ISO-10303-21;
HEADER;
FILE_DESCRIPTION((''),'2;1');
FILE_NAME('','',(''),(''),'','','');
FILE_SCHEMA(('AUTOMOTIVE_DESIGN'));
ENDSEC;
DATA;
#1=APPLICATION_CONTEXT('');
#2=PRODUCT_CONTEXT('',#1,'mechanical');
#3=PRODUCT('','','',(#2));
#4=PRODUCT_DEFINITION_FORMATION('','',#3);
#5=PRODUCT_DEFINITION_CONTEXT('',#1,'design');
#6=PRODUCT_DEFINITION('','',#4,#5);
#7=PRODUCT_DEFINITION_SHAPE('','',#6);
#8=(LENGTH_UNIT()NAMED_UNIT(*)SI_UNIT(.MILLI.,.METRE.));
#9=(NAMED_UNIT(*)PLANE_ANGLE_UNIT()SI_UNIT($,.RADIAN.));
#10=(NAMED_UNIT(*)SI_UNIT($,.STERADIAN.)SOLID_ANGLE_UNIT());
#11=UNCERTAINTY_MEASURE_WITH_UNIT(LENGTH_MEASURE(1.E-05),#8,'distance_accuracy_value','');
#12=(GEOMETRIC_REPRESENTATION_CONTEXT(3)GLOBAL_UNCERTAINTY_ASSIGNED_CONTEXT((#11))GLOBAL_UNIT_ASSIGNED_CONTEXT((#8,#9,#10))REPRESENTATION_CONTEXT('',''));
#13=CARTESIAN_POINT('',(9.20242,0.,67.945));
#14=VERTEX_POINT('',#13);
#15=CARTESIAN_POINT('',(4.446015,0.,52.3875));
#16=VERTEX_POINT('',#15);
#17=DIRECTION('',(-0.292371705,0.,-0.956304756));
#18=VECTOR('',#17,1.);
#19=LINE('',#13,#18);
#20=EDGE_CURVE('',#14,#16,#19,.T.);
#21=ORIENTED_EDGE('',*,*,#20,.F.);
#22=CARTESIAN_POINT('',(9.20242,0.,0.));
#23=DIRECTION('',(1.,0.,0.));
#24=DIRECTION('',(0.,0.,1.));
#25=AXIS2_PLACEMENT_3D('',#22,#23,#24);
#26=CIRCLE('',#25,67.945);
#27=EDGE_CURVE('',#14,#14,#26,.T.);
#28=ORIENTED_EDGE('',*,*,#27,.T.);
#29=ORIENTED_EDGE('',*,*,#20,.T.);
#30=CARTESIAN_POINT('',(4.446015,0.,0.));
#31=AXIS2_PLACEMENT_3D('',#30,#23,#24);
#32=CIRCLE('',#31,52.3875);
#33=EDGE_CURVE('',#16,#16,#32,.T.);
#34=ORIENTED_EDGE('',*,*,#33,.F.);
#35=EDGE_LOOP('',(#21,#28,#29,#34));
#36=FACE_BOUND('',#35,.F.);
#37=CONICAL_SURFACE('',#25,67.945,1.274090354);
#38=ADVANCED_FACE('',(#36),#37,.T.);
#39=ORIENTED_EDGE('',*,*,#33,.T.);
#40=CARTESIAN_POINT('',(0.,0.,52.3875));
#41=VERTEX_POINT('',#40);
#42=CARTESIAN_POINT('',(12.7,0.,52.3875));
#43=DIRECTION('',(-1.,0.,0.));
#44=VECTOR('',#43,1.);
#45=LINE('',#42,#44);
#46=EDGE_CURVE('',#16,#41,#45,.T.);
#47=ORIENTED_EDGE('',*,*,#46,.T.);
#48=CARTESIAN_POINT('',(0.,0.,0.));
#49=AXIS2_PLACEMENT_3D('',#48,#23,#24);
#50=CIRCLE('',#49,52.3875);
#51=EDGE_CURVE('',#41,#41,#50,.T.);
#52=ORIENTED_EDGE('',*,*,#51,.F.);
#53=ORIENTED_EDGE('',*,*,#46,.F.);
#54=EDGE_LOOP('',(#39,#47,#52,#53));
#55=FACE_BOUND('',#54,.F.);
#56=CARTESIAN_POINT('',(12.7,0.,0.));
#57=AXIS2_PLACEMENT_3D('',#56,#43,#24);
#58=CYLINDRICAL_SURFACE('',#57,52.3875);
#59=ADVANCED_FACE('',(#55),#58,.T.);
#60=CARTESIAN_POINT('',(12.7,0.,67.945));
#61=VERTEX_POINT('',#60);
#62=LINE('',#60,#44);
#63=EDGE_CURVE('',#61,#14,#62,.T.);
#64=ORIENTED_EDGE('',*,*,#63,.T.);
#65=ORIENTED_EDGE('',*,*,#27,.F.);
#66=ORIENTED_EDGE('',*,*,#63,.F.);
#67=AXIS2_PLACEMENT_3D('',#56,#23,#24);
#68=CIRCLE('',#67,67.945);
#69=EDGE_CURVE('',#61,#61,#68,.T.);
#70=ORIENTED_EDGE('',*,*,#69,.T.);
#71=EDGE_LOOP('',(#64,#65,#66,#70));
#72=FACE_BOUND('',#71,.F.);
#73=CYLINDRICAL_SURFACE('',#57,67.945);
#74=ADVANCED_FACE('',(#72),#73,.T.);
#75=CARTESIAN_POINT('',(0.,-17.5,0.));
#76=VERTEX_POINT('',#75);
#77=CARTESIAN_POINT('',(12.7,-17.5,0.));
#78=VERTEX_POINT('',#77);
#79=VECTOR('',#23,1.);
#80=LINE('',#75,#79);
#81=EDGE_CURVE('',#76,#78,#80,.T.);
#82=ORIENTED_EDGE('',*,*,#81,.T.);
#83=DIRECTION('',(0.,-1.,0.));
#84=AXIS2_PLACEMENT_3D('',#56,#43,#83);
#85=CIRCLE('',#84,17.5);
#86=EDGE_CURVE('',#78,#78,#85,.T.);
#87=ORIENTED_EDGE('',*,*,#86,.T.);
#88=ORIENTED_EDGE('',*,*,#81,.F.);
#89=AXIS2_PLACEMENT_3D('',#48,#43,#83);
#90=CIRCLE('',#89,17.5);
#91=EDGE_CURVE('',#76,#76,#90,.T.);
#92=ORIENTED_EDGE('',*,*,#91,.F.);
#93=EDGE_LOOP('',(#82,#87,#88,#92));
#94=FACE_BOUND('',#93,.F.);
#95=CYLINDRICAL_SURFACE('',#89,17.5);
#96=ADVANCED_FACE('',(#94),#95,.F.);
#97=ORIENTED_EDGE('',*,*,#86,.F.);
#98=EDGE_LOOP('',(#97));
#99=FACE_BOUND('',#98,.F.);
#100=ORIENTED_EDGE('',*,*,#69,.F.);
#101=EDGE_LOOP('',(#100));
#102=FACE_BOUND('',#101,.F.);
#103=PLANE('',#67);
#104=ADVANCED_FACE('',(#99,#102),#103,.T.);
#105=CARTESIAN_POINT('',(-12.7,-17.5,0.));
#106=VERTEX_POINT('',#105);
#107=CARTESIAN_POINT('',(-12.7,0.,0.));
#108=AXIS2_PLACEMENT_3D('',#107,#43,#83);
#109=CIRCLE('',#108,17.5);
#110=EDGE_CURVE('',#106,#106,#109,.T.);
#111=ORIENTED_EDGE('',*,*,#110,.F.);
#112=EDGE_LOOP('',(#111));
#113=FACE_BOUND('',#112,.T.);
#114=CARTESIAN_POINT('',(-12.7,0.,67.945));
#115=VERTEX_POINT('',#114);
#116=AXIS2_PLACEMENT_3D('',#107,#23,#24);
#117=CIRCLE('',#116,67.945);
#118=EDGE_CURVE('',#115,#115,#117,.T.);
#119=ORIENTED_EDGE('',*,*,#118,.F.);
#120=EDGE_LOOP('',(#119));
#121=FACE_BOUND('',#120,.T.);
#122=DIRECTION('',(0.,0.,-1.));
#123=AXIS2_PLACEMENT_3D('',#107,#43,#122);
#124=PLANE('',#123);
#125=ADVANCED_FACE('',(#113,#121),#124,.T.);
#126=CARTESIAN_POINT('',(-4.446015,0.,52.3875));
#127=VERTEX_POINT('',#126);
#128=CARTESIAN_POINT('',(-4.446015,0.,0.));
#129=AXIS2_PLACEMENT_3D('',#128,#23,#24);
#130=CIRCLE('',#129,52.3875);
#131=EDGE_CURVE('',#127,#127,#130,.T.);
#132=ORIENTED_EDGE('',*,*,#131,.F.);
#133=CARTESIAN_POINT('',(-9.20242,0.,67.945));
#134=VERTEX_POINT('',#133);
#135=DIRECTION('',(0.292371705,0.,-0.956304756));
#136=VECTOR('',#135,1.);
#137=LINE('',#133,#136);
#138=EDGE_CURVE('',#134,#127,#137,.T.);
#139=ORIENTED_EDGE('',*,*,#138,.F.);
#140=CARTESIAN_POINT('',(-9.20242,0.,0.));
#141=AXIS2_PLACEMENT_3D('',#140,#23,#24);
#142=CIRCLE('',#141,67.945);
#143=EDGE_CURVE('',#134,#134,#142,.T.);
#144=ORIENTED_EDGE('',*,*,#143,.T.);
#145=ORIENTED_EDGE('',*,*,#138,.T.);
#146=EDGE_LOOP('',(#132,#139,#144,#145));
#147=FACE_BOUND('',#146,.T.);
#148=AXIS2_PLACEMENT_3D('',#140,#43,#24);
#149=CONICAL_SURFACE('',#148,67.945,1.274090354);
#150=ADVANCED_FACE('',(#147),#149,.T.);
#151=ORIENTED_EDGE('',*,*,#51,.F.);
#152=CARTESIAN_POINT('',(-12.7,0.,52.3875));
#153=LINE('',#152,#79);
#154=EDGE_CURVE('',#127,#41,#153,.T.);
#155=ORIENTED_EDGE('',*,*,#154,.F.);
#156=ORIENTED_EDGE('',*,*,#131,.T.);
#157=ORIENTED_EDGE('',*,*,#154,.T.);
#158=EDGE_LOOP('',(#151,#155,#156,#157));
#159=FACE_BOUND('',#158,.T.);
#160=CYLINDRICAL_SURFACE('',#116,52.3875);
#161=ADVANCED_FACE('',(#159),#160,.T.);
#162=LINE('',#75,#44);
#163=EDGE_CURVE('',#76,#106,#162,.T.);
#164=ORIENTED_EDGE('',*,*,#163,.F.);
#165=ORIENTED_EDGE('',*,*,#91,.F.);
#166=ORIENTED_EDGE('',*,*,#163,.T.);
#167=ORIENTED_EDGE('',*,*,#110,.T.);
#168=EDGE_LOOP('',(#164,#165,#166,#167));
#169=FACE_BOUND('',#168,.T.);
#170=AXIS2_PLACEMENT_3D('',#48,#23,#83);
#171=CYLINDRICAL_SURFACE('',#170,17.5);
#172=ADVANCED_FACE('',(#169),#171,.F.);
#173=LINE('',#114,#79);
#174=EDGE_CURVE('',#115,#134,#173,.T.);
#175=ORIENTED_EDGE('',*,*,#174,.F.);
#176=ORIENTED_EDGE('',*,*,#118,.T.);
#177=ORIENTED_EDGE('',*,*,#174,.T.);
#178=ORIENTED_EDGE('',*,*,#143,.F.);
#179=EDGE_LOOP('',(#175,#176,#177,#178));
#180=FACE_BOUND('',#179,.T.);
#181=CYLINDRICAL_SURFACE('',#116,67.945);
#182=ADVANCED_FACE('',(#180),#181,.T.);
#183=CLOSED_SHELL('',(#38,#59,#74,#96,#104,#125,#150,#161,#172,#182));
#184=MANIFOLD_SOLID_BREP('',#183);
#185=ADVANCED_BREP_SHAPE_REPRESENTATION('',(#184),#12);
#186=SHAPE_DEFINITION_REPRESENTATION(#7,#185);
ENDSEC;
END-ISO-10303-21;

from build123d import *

# Parameters (mm, degrees)
F2_R     = 17.5
F3_DEPTH = 25


with BuildPart() as f1:
    # F0 (on Front) → F1 (revolve)
    with BuildSketch(Plane.XZ):
        Polygon((0, 37.8452404466), (0, 0), (12.7, 0), (12.7, 52.3875), (4.4460149232, 52.3875), align=None)
        Polygon((0, 52.3875), (0, 37.8452404466), (4.4460149232, 52.3875), align=None)
        Polygon((9.20242, 67.945), (4.4460149232, 52.3875), (12.7, 52.3875), (12.7, 67.945), align=None)
    revolve(axis=Axis((21.4788783342, 0, 0), (1, 0, 0)))

    # F2 (on face) → F3 (cut)
    with BuildSketch(Plane(origin=(0, 0, 0), x_dir=(0, -1, 0), z_dir=(-1, 0, 0))):
        Circle(F2_R)
    extrude(amount=-F3_DEPTH, mode=Mode.SUBTRACT)

    # F4: F1 across plane


with BuildPart() as f1_1:
    add(f1.part)
    add(f1.part.mirror(Plane.YZ))


solid = f1_1.part
